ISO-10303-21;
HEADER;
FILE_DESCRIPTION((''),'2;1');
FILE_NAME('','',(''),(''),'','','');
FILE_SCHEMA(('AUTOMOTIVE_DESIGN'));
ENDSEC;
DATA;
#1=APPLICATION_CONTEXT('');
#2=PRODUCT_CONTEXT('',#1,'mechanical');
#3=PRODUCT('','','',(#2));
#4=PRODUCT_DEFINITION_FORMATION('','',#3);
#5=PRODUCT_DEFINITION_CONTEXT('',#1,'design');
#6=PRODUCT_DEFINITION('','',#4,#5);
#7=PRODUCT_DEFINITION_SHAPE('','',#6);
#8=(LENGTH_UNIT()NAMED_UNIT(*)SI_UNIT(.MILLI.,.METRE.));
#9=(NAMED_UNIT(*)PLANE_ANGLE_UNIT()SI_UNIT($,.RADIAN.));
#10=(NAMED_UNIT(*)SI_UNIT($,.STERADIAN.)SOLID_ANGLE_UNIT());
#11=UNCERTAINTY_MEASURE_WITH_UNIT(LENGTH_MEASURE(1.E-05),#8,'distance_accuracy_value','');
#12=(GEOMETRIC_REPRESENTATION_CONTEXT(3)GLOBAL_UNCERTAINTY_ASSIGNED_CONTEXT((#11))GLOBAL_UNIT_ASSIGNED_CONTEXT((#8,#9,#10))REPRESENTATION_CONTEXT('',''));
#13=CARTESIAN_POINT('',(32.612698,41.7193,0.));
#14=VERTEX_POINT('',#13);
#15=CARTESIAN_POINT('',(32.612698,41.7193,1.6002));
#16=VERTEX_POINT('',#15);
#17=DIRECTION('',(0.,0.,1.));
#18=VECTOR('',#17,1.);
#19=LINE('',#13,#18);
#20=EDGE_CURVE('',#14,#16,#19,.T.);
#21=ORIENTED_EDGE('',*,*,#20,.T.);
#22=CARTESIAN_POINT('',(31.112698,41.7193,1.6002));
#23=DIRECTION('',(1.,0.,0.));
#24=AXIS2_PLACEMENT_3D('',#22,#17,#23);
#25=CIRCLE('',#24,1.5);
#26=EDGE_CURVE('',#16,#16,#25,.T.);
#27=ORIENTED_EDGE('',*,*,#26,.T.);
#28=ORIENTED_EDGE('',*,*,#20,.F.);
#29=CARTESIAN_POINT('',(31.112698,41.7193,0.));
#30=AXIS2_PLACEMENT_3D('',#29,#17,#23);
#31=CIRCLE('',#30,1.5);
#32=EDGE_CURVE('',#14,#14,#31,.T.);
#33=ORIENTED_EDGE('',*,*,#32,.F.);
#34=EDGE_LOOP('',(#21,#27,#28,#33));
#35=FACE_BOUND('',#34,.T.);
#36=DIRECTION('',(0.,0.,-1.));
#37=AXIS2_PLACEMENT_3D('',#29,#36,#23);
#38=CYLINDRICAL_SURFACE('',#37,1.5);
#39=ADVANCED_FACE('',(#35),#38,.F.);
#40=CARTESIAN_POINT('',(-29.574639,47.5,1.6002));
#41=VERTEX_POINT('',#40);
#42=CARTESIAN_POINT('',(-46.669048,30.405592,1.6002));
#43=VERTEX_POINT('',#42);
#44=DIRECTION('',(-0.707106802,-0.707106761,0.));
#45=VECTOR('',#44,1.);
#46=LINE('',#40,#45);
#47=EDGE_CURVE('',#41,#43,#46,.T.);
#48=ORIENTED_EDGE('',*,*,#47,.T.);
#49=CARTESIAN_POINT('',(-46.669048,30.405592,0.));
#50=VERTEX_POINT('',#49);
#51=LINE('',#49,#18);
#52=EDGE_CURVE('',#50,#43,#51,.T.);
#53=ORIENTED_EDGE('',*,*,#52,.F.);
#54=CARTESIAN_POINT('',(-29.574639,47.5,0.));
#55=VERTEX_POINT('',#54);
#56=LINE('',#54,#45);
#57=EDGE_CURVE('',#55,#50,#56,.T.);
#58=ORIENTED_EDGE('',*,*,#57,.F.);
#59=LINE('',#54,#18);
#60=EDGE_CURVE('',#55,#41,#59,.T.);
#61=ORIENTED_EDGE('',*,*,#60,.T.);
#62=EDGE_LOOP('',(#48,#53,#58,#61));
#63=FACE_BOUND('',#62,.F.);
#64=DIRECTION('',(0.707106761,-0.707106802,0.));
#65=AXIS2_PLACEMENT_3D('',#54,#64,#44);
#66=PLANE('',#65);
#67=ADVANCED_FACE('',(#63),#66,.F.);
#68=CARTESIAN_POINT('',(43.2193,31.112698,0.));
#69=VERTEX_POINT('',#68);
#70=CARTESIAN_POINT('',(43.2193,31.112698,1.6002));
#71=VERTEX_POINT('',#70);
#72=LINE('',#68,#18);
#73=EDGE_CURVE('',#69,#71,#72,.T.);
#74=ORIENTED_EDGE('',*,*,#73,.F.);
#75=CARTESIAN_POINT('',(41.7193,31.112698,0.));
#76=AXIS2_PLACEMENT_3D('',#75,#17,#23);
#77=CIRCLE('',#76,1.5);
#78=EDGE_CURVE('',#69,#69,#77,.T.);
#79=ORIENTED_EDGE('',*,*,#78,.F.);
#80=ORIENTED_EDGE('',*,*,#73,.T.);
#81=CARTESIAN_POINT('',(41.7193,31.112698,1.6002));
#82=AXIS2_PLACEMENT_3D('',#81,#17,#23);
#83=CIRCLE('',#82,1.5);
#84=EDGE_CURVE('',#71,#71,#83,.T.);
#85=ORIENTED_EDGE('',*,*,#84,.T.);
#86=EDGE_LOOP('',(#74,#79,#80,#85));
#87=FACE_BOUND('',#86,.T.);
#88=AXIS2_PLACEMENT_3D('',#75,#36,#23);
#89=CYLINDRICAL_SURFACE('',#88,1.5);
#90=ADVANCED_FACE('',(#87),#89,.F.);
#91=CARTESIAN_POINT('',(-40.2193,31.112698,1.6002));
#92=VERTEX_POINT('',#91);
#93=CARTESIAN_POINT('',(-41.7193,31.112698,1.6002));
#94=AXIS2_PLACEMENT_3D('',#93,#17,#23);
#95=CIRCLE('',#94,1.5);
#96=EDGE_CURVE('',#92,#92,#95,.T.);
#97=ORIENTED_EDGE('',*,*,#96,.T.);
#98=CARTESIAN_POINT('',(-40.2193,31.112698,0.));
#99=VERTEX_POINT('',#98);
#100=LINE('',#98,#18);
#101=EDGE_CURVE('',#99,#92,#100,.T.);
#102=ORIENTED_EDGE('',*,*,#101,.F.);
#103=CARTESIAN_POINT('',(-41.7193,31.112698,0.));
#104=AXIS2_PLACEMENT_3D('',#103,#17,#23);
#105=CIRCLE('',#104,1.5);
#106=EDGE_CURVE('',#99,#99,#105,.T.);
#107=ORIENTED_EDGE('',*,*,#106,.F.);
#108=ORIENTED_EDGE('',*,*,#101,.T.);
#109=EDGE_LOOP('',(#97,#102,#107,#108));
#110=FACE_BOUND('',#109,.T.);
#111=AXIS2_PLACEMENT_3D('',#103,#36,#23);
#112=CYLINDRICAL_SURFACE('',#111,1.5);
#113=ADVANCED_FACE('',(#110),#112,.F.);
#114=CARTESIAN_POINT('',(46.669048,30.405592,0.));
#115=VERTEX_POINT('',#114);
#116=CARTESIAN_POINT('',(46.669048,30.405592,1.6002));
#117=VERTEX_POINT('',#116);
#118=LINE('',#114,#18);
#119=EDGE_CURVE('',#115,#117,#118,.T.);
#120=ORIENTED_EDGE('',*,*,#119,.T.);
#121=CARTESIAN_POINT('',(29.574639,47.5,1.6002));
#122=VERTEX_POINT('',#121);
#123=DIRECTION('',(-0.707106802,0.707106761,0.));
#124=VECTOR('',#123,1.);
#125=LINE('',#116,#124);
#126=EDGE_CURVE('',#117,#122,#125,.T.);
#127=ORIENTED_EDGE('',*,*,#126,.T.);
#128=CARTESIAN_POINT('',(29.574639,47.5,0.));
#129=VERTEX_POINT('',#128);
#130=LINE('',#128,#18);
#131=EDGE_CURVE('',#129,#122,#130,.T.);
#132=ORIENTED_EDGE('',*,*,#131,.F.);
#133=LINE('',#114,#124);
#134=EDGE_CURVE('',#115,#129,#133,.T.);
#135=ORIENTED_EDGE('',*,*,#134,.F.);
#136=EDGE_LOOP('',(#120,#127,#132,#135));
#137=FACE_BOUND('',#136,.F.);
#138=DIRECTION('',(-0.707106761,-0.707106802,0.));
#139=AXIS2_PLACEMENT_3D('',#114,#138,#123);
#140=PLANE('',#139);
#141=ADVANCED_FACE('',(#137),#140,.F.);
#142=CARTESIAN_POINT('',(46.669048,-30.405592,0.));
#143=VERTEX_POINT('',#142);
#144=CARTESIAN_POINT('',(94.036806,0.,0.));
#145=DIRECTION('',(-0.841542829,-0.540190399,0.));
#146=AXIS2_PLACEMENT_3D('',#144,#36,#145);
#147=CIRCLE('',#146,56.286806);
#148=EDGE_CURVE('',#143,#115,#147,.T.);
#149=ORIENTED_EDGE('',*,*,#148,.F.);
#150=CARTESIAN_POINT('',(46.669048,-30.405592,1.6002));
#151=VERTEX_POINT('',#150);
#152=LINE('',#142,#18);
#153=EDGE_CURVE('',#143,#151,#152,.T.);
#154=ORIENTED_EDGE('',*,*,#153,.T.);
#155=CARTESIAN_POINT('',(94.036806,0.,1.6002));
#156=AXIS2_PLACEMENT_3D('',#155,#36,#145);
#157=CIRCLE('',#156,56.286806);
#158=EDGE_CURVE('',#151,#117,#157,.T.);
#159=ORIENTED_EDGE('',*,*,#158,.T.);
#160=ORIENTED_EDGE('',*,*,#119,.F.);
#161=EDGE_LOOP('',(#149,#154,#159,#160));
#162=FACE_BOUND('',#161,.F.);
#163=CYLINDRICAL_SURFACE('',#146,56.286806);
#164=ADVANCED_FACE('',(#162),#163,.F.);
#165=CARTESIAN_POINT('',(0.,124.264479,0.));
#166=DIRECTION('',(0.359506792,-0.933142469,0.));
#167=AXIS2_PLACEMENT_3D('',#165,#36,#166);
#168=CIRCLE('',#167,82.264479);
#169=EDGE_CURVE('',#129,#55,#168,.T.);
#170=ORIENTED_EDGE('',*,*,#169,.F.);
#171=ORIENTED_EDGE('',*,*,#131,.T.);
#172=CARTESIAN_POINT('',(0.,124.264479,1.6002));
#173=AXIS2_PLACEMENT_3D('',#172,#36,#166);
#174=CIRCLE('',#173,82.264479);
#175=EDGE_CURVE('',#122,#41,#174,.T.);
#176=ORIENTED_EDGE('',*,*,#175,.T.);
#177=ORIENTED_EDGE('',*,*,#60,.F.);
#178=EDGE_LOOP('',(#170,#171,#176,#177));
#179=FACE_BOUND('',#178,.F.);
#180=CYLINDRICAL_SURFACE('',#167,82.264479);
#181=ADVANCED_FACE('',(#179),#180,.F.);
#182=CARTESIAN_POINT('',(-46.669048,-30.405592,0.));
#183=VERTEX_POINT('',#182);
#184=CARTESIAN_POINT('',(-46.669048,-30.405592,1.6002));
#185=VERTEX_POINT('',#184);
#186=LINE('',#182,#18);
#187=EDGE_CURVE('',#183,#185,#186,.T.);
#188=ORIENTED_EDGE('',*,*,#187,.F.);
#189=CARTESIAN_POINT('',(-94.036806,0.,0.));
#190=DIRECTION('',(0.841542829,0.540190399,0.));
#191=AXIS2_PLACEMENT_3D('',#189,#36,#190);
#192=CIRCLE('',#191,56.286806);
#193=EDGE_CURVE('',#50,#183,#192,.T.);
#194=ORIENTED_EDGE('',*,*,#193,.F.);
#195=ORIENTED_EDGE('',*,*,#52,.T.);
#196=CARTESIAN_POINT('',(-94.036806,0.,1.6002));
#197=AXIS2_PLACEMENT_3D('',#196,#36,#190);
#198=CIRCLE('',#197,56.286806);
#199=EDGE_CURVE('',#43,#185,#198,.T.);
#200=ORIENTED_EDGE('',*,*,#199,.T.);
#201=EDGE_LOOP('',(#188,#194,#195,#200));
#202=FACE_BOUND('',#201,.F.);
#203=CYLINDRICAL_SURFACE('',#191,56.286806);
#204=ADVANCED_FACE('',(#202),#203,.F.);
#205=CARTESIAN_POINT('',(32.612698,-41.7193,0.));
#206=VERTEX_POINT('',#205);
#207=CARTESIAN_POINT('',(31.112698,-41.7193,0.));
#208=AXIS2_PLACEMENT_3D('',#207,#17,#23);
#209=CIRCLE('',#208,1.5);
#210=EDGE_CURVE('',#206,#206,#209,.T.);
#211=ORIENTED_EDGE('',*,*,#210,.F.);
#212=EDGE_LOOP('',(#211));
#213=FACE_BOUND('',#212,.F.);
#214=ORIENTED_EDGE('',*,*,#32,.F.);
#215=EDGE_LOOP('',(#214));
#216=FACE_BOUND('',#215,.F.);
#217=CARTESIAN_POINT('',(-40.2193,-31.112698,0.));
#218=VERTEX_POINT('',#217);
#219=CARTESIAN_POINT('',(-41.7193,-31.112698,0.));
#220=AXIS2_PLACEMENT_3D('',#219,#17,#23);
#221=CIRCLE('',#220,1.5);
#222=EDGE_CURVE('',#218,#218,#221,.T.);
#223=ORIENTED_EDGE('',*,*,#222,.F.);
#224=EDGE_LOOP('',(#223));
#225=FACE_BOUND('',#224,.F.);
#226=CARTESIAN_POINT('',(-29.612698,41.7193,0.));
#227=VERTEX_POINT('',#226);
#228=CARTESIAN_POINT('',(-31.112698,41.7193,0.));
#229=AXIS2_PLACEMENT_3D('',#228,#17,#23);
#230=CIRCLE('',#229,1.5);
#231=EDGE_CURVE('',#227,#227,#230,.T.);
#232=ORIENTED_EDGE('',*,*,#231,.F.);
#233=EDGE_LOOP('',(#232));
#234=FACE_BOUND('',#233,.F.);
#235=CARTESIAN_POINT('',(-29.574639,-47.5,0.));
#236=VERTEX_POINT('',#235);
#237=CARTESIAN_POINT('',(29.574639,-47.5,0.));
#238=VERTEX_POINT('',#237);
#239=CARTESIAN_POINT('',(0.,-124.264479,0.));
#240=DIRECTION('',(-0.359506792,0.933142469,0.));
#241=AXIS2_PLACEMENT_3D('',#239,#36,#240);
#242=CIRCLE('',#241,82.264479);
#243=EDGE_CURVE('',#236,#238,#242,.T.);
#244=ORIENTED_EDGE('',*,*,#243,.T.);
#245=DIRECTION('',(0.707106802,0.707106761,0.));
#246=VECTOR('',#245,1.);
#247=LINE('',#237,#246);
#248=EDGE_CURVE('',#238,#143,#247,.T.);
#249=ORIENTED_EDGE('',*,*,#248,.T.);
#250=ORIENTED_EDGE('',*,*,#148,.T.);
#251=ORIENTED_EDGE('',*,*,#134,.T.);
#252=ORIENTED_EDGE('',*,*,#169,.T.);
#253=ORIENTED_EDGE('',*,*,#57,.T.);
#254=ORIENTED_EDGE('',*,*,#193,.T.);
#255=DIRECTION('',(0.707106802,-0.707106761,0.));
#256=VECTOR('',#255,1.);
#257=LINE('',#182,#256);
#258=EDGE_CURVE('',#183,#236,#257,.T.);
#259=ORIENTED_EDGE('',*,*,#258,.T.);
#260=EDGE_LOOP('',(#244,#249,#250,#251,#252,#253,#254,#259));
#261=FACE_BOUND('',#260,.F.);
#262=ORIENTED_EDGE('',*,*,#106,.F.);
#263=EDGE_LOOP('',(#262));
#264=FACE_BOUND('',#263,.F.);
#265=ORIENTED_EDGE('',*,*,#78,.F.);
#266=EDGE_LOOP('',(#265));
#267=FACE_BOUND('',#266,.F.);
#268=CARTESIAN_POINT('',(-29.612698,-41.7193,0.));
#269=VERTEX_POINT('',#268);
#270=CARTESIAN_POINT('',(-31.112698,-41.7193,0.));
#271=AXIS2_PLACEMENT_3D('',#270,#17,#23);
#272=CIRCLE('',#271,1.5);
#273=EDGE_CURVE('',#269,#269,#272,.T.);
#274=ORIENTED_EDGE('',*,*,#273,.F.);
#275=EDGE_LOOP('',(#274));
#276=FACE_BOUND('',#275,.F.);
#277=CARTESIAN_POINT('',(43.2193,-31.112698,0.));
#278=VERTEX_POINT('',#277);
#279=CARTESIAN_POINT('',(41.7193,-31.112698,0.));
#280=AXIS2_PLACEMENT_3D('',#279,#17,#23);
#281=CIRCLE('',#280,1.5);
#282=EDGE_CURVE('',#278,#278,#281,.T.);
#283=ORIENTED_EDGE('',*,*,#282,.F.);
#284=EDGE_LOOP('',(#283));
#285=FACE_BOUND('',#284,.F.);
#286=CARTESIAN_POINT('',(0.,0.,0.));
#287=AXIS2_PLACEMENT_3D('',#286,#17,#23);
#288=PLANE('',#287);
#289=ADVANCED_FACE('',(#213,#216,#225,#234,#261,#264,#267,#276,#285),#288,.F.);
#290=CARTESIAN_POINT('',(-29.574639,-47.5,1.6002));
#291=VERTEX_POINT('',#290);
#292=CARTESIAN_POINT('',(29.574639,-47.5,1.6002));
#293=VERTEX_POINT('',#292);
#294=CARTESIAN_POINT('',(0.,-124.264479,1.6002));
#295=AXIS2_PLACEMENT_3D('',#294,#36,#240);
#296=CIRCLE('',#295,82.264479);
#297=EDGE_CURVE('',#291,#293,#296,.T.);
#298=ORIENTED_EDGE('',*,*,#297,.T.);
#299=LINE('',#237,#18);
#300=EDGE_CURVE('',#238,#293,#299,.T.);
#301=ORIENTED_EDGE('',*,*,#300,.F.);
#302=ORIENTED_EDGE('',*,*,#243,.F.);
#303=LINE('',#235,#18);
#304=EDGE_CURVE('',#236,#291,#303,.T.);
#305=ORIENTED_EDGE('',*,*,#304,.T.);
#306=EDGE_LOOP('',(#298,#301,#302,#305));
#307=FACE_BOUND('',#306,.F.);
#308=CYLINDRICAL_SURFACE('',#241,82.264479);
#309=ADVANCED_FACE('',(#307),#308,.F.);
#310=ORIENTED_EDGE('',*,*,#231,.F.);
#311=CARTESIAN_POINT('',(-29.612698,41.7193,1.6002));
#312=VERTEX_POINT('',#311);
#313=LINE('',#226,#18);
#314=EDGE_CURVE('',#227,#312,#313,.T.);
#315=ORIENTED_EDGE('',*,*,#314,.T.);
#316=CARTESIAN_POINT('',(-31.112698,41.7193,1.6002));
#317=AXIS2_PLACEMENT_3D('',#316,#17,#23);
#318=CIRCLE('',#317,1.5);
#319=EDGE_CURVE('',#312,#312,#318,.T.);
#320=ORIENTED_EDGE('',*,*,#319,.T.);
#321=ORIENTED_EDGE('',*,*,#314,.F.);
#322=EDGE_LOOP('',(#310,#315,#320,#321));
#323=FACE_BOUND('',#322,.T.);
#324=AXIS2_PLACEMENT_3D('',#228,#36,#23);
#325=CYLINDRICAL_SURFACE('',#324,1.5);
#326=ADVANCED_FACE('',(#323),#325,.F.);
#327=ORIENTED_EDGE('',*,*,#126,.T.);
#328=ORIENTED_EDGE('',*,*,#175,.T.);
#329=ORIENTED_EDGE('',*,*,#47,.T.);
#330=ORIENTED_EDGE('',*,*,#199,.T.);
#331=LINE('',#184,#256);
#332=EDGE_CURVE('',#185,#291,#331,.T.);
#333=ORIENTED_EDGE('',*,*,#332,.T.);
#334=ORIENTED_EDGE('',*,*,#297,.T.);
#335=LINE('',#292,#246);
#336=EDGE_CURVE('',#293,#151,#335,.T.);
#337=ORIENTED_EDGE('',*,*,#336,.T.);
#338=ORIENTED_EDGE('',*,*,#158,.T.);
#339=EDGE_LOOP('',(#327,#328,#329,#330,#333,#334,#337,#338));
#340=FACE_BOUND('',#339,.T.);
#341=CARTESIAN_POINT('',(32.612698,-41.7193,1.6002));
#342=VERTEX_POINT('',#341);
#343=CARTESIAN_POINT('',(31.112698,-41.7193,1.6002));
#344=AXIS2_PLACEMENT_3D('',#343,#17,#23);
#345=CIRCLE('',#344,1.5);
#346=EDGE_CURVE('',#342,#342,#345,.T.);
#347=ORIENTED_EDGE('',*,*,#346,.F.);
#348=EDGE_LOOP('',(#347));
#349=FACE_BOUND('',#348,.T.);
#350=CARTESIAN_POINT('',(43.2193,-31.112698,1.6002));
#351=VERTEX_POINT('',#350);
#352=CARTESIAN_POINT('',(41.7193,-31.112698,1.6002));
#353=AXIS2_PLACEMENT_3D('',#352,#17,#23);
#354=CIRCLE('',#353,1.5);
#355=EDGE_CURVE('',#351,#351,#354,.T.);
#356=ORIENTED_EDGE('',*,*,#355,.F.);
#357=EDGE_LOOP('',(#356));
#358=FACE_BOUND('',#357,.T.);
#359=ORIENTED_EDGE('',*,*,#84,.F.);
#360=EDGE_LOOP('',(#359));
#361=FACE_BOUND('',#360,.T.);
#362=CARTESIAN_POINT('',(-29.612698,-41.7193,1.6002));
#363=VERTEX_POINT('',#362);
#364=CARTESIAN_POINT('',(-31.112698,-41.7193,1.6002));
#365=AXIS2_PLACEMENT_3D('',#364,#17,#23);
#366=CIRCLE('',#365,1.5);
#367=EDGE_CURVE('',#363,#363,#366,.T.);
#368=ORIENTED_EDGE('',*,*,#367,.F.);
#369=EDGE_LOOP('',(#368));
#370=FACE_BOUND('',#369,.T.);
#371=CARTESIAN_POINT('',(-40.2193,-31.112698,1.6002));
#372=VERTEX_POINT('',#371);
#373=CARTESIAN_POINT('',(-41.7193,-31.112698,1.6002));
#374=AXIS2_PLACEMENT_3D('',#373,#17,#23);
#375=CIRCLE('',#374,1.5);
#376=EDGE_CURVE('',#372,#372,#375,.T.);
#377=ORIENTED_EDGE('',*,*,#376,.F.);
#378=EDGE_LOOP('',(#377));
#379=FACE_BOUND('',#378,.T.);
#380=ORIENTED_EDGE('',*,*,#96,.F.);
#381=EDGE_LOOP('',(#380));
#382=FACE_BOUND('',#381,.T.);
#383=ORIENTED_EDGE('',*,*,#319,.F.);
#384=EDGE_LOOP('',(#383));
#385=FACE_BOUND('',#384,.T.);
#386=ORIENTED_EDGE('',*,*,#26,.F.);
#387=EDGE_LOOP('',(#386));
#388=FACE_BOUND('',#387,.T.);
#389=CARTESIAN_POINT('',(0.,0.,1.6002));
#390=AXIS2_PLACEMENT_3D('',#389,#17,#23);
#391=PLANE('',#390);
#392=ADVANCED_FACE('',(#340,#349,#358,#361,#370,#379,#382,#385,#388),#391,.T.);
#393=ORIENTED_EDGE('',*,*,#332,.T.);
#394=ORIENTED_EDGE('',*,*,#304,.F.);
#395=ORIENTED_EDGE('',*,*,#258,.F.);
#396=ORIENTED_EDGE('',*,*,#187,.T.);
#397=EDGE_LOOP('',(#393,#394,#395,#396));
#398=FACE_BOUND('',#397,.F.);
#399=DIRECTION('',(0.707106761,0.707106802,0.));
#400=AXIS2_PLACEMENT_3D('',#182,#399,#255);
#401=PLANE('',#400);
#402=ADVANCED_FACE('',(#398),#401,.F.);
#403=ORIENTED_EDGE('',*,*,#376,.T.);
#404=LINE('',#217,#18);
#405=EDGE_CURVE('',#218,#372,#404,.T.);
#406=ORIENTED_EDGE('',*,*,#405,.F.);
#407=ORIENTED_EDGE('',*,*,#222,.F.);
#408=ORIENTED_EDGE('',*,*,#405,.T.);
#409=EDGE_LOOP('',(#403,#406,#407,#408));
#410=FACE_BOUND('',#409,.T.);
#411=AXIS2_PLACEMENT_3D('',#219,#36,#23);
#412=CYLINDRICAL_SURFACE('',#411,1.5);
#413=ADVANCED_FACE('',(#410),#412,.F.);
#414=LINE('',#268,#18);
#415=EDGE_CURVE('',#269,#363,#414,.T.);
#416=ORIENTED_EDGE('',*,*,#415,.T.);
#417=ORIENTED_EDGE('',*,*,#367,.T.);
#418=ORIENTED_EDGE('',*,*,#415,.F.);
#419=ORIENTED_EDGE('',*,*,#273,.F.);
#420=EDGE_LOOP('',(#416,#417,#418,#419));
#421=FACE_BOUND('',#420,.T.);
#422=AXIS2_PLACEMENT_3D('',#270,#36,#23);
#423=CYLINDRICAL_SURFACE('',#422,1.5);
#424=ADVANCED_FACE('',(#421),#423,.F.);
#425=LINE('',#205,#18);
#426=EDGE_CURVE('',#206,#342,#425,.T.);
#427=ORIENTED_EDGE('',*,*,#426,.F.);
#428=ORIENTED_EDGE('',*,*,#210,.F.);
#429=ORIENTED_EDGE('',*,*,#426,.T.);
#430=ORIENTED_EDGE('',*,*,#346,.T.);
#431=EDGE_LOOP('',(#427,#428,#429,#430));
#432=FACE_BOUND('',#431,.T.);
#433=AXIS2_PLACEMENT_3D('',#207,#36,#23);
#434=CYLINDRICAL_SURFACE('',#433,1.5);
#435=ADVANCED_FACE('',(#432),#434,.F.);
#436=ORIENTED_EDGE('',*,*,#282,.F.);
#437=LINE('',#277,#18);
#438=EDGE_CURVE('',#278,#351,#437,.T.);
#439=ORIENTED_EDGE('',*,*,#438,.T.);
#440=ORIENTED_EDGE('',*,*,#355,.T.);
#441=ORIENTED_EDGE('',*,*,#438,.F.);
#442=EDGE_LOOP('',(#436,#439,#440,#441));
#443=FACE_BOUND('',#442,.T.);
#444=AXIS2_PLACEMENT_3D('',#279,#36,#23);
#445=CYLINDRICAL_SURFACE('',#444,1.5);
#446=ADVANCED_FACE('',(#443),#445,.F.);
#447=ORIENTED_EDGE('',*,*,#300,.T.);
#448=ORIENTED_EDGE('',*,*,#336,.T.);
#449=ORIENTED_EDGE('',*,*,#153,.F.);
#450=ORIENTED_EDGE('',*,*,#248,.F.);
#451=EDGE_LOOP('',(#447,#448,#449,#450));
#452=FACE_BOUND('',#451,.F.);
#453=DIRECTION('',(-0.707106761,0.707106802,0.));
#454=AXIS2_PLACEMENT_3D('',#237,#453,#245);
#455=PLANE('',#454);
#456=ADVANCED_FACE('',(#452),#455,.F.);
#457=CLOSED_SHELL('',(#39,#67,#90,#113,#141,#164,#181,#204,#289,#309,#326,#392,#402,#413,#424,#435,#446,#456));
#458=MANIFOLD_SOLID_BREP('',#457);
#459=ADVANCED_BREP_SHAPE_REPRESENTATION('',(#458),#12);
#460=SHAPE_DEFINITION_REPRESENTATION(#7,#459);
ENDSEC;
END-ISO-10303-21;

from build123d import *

# Parameters (mm, degrees)
F0_R     = 1.5
F1_DEPTH = 1.6002


with BuildPart() as f1:
    # F0 (on Top) → F1 (new body)
    with BuildSketch(Plane.XY):
        with BuildLine():
            Line((-29.574639, 47.5), (-46.669048, 30.405592))
            ThreePointArc((-46.669048, 30.405592), (-37.75, 0), (-46.669048, -30.405592))
            Line((-46.669048, -30.405592), (-29.574639, -47.5))
            ThreePointArc((-29.574639, -47.5), (0, -42), (29.574639, -47.5))
            Line((29.574639, -47.5), (46.669048, -30.405592))
            ThreePointArc((46.669048, -30.405592), (37.75, 0), (46.669048, 30.405592))
            Line((46.669048, 30.405592), (29.574639, 47.5))
            ThreePointArc((29.574639, 47.5), (0, 42), (-29.574639, 47.5))
        make_face()
        with Locations((-31.112698, -41.7193)):
            Circle(F0_R, mode=Mode.SUBTRACT)
        with Locations((-41.7193, -31.112698)):
            Circle(F0_R, mode=Mode.SUBTRACT)
        with Locations((31.112698, -41.7193)):
            Circle(F0_R, mode=Mode.SUBTRACT)
        with Locations((41.7193, -31.112698)):
            Circle(F0_R, mode=Mode.SUBTRACT)
        with Locations((-41.7193, 31.112698)):
            Circle(F0_R, mode=Mode.SUBTRACT)
        with Locations((-31.112698, 41.7193)):
            Circle(F0_R, mode=Mode.SUBTRACT)
        with Locations((41.7193, 31.112698)):
            Circle(F0_R, mode=Mode.SUBTRACT)
        with Locations((31.112698, 41.7193)):
            Circle(F0_R, mode=Mode.SUBTRACT)
    extrude(amount=F1_DEPTH)


solid = f1.part
